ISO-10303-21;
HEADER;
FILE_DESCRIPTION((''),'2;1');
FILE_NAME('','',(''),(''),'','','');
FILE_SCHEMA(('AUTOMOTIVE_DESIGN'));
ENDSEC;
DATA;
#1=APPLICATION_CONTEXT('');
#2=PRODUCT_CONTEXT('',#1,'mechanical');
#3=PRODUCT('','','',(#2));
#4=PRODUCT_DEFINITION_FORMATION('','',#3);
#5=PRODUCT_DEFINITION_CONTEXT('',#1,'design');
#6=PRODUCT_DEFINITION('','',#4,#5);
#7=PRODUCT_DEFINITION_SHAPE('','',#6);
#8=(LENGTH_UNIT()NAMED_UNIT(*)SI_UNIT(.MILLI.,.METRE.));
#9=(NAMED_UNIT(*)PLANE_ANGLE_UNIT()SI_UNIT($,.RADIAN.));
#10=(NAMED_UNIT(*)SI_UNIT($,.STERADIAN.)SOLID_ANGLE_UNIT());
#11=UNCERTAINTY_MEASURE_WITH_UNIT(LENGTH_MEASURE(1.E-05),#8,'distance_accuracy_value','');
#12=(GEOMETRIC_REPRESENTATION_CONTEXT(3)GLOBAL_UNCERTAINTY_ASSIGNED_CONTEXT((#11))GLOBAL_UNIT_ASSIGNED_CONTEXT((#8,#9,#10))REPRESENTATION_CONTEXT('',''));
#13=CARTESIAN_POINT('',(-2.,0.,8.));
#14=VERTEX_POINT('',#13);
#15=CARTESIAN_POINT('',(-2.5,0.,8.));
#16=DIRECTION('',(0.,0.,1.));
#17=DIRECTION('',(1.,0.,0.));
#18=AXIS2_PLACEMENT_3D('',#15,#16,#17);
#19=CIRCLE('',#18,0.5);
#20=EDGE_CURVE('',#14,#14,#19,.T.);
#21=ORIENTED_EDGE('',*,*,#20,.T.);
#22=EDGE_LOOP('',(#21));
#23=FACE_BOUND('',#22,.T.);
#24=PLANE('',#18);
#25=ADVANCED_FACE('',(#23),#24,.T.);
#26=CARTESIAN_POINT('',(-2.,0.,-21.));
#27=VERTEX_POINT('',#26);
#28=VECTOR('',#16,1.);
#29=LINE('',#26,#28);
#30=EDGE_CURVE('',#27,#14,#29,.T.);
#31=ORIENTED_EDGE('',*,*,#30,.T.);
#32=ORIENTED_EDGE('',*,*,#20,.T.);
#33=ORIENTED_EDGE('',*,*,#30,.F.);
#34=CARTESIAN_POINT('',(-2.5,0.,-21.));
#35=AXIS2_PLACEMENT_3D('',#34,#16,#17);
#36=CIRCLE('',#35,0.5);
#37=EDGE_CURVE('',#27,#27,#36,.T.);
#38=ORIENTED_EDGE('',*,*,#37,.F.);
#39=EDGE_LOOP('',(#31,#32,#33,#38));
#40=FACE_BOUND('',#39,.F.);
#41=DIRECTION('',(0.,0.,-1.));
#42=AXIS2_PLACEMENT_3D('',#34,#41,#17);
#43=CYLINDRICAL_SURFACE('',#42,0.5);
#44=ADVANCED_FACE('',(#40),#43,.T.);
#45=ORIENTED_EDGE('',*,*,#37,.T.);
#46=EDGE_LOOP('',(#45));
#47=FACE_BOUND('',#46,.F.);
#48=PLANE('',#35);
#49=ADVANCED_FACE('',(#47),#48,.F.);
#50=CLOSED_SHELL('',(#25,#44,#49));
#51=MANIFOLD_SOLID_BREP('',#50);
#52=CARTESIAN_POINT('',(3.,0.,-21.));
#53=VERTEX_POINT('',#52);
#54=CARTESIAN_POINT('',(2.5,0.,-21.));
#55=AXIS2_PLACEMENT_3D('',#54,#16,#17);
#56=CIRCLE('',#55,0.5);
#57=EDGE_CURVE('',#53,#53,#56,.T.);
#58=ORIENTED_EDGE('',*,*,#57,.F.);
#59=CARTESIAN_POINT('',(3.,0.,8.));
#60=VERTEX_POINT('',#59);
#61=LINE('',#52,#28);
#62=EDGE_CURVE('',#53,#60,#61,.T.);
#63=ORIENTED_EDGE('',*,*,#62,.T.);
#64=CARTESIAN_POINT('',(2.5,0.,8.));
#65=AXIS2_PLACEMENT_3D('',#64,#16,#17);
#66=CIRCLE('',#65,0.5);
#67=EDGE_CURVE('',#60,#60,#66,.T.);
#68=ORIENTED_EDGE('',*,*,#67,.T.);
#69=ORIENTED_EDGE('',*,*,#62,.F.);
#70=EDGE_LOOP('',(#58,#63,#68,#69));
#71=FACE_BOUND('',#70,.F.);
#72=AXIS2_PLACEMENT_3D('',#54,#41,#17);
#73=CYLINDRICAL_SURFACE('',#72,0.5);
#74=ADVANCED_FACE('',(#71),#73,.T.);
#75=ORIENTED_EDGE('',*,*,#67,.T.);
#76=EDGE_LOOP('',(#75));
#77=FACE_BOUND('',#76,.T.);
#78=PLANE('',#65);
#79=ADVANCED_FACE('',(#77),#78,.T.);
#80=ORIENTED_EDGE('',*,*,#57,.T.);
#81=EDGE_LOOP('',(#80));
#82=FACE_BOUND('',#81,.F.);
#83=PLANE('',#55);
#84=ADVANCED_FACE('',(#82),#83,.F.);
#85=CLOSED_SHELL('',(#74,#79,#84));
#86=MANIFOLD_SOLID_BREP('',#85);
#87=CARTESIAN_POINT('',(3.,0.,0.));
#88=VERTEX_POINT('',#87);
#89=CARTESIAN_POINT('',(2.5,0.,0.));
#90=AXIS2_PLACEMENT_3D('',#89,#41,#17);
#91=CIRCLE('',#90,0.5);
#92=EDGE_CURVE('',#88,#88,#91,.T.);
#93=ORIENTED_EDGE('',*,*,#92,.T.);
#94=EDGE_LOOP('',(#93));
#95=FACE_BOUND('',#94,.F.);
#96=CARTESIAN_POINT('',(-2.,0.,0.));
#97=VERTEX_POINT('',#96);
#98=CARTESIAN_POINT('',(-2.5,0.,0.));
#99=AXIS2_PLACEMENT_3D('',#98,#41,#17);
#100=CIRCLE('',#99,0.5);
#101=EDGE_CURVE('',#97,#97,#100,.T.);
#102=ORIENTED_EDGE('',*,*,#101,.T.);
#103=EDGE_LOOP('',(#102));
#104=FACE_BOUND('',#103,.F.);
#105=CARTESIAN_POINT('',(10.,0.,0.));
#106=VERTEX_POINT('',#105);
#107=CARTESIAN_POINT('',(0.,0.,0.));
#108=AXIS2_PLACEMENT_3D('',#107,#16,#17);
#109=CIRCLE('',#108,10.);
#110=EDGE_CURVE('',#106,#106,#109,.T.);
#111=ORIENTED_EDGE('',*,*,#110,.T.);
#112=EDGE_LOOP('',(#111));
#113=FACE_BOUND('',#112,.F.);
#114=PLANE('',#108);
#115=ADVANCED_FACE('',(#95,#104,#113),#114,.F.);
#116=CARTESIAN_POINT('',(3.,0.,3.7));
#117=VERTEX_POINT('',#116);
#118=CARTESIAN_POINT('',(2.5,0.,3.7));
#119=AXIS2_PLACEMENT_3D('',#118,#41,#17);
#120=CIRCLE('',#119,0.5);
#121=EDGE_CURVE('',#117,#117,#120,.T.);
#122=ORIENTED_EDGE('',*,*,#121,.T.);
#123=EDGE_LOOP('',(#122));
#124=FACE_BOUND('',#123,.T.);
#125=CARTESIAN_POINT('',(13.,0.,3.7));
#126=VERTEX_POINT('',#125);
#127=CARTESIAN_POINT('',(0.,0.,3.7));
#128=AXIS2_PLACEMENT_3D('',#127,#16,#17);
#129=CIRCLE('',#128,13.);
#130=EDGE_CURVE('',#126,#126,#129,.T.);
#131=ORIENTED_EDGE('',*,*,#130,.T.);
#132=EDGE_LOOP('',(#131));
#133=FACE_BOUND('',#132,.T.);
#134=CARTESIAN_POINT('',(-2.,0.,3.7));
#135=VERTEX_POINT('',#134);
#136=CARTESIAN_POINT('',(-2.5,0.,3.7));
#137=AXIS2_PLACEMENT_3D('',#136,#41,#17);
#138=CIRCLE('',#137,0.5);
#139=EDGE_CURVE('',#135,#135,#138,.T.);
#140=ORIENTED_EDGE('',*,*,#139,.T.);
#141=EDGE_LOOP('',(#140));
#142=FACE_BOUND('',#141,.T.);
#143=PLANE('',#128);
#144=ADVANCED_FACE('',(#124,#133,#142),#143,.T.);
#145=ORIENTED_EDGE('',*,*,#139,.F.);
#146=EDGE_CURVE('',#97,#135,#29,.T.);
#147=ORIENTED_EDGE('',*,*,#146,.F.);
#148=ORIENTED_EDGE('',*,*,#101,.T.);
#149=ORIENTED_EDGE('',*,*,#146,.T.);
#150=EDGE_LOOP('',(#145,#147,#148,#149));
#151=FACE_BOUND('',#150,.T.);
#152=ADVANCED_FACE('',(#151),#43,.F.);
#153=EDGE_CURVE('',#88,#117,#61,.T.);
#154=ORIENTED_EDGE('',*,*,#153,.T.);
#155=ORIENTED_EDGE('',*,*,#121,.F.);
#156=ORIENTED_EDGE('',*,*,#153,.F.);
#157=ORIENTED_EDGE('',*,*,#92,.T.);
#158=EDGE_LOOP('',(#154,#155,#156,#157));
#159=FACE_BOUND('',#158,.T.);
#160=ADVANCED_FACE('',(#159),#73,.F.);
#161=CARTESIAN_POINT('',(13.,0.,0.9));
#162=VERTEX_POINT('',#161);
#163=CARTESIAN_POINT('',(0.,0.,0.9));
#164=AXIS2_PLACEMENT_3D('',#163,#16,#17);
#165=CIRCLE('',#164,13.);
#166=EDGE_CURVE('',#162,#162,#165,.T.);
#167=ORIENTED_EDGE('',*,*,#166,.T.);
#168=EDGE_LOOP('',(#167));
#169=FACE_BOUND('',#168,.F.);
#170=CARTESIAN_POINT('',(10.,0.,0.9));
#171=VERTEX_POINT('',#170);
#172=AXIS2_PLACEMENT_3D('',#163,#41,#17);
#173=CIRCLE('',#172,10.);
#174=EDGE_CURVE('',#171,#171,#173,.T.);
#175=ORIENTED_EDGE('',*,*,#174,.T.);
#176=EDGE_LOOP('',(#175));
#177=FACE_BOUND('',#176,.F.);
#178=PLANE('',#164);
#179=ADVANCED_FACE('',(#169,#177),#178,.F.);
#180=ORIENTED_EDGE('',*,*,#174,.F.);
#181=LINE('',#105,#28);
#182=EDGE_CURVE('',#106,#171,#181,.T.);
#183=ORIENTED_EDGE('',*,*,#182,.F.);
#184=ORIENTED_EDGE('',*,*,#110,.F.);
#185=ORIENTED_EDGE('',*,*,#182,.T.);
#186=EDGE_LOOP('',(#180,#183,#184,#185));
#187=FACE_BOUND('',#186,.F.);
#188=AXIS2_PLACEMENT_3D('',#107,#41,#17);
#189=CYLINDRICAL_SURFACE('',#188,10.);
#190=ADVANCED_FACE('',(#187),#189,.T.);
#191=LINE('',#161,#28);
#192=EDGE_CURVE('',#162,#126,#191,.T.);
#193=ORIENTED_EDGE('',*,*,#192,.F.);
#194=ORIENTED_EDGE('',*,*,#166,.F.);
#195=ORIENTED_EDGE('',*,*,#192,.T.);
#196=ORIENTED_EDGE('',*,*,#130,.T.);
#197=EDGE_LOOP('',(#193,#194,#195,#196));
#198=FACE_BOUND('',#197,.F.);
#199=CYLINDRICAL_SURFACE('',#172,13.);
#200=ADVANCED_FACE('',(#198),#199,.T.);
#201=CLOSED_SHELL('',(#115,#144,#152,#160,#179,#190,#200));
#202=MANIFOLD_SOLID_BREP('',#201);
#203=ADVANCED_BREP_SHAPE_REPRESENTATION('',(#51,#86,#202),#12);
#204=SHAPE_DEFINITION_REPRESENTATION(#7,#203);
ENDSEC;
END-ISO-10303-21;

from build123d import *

# Parameters (mm, degrees)
CYLINDER002_R     = 0.5
CYLINDER002_DEPTH = 29
CYLINDER003_R     = 0.5
CYLINDER003_DEPTH = 29
CYLINDER005_R     = 0.5
CYLINDER005_DEPTH = 29
CYLINDER004_R     = 0.5
CYLINDER004_DEPTH = 29
CYLINDER001_R     = 10
CYLINDER001_DEPTH = 3.7
CYLINDER_R        = 13
CYLINDER_DEPTH    = 2.8


with BuildPart() as cylinder002:
    # Cylinder002 → Cylinder002 (new body)
    with BuildSketch(Plane(origin=(2.5, 0, -21), x_dir=(1, 0, 0), z_dir=(0, 0, 1))):
        Circle(CYLINDER002_R)
    extrude(amount=CYLINDER002_DEPTH)


with BuildPart() as cylinder003:
    # Cylinder003 → Cylinder003 (new body)
    with BuildSketch(Plane(origin=(-2.5, 0, -21), x_dir=(1, 0, 0), z_dir=(0, 0, 1))):
        Circle(CYLINDER003_R)
    extrude(amount=CYLINDER003_DEPTH)


with BuildPart() as cylinder005:
    # Cylinder005 → Cylinder005 (new body)
    with BuildSketch(Plane(origin=(-2.5, 0, -21), x_dir=(1, 0, 0), z_dir=(0, 0, 1))):
        Circle(CYLINDER005_R)
    extrude(amount=CYLINDER005_DEPTH)


with BuildPart() as posts001:
    # Cylinder004 → Cylinder004 (new body)
    with BuildSketch(Plane(origin=(2.5, 0, -21), x_dir=(1, 0, 0), z_dir=(0, 0, 1))):
        Circle(CYLINDER004_R)
    extrude(amount=CYLINDER004_DEPTH)

    # Compound001: union Cylinder005
    add(cylinder005.part)


with BuildPart() as cylinder001:
    # Cylinder001 → Cylinder001 (new body)
    with BuildSketch(Plane.XY):
        Circle(CYLINDER001_R)
    extrude(amount=CYLINDER001_DEPTH)


with BuildPart() as ceramicsdisk:
    # Cylinder → Cylinder (new body)
    with BuildSketch(Plane.XY.offset(0.9)):
        Circle(CYLINDER_R)
    extrude(amount=CYLINDER_DEPTH)

    # Fusion: union Cylinder001
    add(cylinder001.part)

    # Cut: cut Posts001
    add(posts001.part, mode=Mode.SUBTRACT)


solid = Compound([cylinder002.part, cylinder003.part, ceramicsdisk.part])
